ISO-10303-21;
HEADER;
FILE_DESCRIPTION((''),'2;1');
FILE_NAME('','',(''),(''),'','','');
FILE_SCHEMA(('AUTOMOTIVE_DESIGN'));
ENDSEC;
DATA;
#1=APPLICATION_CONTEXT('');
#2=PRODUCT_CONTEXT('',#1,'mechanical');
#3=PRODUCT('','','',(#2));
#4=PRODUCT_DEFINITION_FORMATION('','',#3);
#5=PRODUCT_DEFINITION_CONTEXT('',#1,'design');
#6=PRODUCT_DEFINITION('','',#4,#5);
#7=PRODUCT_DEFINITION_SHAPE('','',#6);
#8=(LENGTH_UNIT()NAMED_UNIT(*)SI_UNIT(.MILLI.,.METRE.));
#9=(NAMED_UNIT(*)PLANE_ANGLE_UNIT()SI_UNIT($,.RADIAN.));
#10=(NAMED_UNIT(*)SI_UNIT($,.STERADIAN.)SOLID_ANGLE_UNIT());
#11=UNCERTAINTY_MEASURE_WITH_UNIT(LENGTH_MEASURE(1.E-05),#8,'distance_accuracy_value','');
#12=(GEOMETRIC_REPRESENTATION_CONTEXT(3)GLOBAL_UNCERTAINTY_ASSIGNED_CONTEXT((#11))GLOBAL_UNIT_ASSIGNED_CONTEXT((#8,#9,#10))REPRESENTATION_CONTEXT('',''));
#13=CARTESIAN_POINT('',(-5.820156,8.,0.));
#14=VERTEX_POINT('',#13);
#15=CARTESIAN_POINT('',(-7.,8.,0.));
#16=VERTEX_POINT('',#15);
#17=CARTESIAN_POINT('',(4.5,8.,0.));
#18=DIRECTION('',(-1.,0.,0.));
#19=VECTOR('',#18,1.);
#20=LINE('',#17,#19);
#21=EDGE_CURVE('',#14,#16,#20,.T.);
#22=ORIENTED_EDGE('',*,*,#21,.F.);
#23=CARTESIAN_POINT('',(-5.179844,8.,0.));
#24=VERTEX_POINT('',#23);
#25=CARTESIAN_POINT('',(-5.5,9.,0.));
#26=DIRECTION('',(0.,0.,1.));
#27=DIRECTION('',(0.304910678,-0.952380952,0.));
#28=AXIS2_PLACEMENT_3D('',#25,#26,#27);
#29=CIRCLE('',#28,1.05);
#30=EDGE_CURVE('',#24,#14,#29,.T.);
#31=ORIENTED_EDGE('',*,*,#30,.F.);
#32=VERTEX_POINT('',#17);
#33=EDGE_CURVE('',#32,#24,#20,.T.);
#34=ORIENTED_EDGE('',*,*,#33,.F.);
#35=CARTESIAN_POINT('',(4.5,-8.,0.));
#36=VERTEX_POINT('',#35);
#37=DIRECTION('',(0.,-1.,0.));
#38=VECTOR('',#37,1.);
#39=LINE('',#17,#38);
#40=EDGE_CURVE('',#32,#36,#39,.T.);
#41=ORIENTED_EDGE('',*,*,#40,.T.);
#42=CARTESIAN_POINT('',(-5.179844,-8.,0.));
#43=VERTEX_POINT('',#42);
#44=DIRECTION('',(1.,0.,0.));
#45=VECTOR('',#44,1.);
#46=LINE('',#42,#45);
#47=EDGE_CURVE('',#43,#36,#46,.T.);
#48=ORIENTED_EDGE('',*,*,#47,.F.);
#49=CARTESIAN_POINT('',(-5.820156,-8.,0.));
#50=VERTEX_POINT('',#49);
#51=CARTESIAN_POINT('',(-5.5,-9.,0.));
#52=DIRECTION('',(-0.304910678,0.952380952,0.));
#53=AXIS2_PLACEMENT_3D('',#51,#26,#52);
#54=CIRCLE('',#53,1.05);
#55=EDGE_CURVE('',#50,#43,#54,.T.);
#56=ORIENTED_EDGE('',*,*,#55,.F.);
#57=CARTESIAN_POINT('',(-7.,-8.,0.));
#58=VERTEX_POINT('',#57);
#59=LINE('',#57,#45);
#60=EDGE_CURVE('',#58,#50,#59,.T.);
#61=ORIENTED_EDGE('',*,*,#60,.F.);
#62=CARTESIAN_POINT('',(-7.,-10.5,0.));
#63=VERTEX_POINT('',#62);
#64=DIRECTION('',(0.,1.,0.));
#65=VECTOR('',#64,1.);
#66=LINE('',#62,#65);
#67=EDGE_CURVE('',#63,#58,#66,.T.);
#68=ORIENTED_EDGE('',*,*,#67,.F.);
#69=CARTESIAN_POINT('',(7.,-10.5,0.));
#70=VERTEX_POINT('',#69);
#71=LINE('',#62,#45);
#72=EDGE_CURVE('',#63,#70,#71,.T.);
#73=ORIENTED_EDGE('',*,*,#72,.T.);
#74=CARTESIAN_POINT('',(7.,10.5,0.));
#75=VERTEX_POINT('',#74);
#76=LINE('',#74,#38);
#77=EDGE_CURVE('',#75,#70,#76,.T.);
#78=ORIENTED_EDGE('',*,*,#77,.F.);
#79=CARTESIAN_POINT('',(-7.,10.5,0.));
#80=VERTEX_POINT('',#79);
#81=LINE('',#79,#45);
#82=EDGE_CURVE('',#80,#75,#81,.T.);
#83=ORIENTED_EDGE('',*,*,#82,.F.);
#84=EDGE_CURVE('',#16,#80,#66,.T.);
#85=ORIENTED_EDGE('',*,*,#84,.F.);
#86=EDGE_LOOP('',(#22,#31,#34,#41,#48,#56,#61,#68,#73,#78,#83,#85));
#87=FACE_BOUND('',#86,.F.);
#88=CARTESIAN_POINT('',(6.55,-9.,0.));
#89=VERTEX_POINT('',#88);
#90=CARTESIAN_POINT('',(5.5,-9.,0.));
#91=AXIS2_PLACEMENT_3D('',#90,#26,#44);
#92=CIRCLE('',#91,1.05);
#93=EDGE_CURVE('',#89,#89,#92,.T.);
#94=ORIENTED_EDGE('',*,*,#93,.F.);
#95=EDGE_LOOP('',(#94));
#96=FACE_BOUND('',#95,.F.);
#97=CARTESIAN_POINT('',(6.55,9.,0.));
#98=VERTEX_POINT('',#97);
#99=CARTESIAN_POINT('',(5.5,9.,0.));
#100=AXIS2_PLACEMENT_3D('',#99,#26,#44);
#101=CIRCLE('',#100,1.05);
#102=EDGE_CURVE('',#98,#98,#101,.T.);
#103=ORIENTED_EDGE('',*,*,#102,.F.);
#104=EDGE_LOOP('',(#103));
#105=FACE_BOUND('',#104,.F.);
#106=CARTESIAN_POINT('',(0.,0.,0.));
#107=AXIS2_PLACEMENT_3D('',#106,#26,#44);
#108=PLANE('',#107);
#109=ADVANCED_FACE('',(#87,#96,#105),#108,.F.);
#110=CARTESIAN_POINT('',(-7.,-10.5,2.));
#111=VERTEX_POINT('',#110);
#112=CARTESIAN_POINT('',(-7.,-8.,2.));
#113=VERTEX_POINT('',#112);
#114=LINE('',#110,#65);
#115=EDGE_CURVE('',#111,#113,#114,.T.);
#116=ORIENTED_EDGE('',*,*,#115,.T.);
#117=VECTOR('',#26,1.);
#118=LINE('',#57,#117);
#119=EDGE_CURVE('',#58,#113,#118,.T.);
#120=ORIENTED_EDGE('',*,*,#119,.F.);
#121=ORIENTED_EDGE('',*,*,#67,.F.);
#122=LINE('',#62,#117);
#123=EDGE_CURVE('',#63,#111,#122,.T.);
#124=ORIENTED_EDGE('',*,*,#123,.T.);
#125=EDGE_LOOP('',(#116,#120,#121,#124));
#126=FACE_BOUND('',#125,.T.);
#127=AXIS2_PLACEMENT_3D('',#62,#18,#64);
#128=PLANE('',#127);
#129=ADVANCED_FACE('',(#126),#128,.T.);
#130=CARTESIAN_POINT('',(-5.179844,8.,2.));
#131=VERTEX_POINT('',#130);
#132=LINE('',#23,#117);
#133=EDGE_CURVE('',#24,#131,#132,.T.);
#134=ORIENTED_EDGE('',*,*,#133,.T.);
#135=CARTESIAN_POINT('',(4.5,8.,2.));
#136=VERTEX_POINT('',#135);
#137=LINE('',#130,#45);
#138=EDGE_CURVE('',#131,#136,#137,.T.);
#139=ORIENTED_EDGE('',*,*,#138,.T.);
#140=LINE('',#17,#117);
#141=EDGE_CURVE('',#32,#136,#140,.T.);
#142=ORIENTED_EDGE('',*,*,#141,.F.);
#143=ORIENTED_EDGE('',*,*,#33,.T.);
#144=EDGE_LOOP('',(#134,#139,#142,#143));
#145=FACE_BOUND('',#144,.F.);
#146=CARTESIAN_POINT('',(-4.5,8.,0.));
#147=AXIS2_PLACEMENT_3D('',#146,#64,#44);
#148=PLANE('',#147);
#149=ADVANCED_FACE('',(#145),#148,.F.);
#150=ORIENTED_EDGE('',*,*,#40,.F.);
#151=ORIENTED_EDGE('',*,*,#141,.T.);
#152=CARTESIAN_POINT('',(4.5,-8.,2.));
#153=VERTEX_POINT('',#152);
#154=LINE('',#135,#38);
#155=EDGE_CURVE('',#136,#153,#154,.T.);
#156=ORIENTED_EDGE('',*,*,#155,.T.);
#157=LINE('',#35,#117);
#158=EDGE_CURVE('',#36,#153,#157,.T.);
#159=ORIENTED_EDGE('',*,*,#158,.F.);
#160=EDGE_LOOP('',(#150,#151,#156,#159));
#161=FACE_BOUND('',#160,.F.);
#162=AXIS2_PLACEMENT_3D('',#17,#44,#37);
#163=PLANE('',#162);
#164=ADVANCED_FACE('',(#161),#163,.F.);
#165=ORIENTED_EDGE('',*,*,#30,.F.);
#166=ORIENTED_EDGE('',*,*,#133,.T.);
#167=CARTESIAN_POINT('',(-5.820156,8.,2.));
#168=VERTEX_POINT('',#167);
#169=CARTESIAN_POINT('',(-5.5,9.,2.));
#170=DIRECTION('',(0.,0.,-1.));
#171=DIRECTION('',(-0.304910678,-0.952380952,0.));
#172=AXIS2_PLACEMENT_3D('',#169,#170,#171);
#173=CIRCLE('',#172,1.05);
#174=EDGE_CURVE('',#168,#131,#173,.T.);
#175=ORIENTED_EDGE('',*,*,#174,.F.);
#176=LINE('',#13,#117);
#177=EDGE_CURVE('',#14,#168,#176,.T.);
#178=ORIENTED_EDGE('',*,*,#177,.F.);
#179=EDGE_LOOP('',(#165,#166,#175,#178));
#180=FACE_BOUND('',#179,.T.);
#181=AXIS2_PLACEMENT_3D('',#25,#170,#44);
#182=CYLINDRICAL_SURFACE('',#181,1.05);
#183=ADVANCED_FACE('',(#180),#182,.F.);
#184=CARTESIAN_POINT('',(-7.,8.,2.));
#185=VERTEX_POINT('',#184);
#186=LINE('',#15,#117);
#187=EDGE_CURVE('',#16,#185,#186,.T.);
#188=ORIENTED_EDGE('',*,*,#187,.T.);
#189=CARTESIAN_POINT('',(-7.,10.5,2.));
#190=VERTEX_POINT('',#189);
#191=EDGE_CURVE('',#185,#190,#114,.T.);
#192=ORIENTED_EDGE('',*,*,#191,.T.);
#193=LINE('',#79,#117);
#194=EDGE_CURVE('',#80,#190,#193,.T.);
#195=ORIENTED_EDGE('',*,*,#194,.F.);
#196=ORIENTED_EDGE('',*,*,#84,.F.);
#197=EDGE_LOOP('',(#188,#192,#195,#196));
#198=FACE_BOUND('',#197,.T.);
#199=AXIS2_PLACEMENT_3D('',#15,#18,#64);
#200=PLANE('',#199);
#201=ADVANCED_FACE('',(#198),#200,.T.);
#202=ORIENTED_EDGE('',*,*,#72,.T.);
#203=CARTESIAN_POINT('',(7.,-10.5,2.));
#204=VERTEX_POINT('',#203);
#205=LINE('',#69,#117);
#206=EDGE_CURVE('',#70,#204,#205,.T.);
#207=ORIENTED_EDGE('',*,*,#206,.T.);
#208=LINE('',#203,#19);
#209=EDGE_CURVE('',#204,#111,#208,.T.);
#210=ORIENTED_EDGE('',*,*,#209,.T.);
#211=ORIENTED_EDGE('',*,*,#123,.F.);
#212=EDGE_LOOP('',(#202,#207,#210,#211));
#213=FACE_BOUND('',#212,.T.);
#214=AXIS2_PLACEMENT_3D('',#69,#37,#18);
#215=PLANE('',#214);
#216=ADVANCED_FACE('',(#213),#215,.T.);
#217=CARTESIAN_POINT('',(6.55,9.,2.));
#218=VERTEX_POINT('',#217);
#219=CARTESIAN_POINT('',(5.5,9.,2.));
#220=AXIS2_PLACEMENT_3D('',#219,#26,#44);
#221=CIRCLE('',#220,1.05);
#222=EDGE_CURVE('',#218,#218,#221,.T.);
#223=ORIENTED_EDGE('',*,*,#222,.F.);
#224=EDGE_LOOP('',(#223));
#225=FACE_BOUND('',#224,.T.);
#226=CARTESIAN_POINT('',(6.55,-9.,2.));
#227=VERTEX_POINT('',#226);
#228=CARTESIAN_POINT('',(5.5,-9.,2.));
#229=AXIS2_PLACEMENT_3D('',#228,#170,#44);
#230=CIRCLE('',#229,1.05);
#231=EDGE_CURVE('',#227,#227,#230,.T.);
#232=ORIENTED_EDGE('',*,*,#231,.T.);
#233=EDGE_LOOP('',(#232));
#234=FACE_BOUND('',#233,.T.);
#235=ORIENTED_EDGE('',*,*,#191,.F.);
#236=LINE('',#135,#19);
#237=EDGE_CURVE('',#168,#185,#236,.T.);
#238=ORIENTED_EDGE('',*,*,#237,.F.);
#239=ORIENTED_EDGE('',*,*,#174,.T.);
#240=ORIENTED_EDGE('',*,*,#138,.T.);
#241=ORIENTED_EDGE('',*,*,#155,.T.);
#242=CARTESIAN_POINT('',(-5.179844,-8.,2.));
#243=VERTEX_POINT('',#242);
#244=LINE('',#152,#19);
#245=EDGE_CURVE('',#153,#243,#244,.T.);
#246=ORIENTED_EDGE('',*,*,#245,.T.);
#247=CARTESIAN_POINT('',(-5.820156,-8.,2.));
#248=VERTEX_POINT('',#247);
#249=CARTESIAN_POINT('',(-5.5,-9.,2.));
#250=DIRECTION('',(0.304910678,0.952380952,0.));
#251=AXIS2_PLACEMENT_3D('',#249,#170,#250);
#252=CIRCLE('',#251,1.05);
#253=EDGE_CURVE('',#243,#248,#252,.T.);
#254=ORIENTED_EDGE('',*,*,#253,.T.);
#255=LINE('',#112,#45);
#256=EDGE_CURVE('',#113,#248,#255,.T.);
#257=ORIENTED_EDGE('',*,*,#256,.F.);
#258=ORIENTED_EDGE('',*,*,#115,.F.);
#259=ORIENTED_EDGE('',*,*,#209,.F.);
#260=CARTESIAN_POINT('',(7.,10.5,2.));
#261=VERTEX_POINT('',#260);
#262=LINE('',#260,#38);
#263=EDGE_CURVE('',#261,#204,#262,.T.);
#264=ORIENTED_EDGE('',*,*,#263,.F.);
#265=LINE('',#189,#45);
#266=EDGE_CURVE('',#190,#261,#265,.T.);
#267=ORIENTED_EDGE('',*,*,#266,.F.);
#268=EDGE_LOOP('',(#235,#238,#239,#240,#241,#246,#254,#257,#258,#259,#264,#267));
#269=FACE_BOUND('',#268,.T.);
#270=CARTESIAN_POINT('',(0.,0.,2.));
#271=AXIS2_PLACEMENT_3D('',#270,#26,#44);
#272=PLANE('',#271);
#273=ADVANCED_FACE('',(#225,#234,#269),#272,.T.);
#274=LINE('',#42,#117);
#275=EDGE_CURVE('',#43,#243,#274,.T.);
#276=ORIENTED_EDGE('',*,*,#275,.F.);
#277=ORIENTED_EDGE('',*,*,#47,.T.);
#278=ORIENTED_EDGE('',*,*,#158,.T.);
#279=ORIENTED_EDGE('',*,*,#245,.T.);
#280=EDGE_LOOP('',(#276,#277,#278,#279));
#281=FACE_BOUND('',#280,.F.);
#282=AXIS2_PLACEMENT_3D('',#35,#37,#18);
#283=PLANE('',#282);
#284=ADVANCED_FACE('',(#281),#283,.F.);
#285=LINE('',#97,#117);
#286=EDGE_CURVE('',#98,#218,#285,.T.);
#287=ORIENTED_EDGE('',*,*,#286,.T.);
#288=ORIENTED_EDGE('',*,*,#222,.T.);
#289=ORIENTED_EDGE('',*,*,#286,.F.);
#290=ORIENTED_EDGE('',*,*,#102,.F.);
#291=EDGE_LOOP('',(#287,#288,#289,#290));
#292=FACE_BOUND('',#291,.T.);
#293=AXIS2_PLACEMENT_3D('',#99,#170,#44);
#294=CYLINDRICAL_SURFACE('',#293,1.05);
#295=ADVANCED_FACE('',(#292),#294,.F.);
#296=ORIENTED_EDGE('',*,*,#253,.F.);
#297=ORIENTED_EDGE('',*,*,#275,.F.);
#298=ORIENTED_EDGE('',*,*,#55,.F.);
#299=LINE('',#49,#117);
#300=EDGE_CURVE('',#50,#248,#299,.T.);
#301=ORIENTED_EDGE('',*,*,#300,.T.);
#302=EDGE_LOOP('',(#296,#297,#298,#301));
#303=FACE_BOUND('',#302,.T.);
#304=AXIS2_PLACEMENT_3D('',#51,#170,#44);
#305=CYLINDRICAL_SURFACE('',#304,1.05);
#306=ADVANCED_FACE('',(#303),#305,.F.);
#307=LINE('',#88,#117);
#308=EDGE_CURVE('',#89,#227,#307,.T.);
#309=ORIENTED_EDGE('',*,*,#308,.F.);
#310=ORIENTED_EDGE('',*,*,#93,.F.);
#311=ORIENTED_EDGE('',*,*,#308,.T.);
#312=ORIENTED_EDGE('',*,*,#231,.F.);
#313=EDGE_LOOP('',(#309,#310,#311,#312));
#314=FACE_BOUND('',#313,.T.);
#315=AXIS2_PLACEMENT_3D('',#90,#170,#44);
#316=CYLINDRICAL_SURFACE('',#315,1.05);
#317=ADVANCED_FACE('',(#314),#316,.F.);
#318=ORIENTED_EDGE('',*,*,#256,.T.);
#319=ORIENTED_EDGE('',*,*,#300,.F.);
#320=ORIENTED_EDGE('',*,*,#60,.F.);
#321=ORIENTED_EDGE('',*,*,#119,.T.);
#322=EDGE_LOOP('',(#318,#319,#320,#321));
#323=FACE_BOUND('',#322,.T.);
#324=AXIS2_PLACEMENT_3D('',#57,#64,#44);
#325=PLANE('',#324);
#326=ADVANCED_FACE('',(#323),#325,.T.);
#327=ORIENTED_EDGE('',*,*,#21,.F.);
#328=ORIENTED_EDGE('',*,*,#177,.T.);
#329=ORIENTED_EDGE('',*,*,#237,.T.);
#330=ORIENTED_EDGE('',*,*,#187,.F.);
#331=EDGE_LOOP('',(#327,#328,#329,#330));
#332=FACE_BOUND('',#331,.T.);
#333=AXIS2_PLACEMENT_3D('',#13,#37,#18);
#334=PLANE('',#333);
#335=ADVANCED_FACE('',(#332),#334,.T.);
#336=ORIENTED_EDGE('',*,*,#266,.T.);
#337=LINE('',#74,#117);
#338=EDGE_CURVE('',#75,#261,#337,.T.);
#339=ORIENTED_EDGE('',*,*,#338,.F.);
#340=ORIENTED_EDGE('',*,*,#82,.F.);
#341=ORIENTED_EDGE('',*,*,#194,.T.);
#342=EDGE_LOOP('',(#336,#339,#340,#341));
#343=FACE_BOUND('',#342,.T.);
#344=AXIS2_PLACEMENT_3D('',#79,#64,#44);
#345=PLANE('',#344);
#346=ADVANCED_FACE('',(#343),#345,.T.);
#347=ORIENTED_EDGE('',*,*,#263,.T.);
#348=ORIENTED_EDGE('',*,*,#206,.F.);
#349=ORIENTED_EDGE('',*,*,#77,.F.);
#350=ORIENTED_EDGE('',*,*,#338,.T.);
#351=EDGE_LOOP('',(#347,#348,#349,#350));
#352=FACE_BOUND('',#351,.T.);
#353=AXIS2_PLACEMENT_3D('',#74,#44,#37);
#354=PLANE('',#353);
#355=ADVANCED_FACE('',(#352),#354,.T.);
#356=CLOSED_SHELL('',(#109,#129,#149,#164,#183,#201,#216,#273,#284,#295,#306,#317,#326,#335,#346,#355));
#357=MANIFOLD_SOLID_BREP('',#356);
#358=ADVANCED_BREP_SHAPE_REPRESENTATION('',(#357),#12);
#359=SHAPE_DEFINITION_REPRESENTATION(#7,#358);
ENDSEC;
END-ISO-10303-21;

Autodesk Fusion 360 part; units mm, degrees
sketch "Sketch1" plane through (0, 0, 0) normal (0, 0, 1) x (1, 0, 0)
  line L0 (5.5, 9) -> (-5.5, 9) construction
  line L1 (-5.5, 9) -> (-5.5, -9) construction
  line L2 (-5.5, -9) -> (5.5, -9) construction
  line L3 (5.5, -9) -> (5.5, 9) construction
  line L4 (5.5, 9) -> (-5.5, -9) construction
  line L5 (-5.5, 9) -> (5.5, -9) construction
  line L6 (7, -10.5) -> (-7, -10.5)
  line L7 (-7, -10.5) -> (-7, 10.5)
  line L8 (-7, 10.5) -> (7, 10.5)
  line L9 (7, 10.5) -> (7, -10.5)
  line L10 (7, -10.5) -> (-7, 10.5) construction
  line L11 (-7, -10.5) -> (7, 10.5) construction
  line L12 (4.5, -8) -> (-4.5, -8)
  line L13 (-4.5, -8) -> (-4.5, 8)
  line L14 (-4.5, 8) -> (4.5, 8)
  line L15 (4.5, 8) -> (4.5, -8)
  line L16 (4.5, -8) -> (-4.5, 8) construction
  line L17 (-4.5, -8) -> (4.5, 8) construction
  circle A0 centre (-5.5, 9) radius 1.05
  circle A1 centre (5.5, 9) radius 1.05
  circle A2 centre (5.5, -9) radius 1.05
  circle A3 centre (-5.5, -9) radius 1.05
  line L18 (-4.5, 8) -> (4.5, 8)
  line L19 (4.5, 8) -> (4.5, -10.5)
  line L20 (4.5, -10.5) -> (-4.5, -10.5)
  line L21 (-4.5, -10.5) -> (-4.5, 8)
  line L22 (4.5, 8) -> (-7, 8)
  line L23 (-7, 8) -> (-7, -8)
  line L24 (-7, -8) -> (4.5, -8)
  line L25 (4.5, -8) -> (4.5, 8)
  dimension "d1" = 11
  dimension "d2" = 18
  dimension "d3" = 14
  dimension "d4" = 21
  dimension "d5" = 9
  dimension "d6" = 16
  dimension "d7" = 2.1
  dimension "d8" = 2.1
  dimension "d9" = 2.1
  dimension "d10" = 2.1
  dimension "d11" = 9
extrude "Extrude1" add sketch "Sketch1" along normal blind 2 contours L6 L7 L8 L9 L14 L15 A0 A2 L18 L19 L22 L25 | L6 L12 A2 A3 L19 L20 L21 L24 | L6 L7 A3 L21 L24 | A3 L21 L24 picked at (-4.6728, -8.1728)
